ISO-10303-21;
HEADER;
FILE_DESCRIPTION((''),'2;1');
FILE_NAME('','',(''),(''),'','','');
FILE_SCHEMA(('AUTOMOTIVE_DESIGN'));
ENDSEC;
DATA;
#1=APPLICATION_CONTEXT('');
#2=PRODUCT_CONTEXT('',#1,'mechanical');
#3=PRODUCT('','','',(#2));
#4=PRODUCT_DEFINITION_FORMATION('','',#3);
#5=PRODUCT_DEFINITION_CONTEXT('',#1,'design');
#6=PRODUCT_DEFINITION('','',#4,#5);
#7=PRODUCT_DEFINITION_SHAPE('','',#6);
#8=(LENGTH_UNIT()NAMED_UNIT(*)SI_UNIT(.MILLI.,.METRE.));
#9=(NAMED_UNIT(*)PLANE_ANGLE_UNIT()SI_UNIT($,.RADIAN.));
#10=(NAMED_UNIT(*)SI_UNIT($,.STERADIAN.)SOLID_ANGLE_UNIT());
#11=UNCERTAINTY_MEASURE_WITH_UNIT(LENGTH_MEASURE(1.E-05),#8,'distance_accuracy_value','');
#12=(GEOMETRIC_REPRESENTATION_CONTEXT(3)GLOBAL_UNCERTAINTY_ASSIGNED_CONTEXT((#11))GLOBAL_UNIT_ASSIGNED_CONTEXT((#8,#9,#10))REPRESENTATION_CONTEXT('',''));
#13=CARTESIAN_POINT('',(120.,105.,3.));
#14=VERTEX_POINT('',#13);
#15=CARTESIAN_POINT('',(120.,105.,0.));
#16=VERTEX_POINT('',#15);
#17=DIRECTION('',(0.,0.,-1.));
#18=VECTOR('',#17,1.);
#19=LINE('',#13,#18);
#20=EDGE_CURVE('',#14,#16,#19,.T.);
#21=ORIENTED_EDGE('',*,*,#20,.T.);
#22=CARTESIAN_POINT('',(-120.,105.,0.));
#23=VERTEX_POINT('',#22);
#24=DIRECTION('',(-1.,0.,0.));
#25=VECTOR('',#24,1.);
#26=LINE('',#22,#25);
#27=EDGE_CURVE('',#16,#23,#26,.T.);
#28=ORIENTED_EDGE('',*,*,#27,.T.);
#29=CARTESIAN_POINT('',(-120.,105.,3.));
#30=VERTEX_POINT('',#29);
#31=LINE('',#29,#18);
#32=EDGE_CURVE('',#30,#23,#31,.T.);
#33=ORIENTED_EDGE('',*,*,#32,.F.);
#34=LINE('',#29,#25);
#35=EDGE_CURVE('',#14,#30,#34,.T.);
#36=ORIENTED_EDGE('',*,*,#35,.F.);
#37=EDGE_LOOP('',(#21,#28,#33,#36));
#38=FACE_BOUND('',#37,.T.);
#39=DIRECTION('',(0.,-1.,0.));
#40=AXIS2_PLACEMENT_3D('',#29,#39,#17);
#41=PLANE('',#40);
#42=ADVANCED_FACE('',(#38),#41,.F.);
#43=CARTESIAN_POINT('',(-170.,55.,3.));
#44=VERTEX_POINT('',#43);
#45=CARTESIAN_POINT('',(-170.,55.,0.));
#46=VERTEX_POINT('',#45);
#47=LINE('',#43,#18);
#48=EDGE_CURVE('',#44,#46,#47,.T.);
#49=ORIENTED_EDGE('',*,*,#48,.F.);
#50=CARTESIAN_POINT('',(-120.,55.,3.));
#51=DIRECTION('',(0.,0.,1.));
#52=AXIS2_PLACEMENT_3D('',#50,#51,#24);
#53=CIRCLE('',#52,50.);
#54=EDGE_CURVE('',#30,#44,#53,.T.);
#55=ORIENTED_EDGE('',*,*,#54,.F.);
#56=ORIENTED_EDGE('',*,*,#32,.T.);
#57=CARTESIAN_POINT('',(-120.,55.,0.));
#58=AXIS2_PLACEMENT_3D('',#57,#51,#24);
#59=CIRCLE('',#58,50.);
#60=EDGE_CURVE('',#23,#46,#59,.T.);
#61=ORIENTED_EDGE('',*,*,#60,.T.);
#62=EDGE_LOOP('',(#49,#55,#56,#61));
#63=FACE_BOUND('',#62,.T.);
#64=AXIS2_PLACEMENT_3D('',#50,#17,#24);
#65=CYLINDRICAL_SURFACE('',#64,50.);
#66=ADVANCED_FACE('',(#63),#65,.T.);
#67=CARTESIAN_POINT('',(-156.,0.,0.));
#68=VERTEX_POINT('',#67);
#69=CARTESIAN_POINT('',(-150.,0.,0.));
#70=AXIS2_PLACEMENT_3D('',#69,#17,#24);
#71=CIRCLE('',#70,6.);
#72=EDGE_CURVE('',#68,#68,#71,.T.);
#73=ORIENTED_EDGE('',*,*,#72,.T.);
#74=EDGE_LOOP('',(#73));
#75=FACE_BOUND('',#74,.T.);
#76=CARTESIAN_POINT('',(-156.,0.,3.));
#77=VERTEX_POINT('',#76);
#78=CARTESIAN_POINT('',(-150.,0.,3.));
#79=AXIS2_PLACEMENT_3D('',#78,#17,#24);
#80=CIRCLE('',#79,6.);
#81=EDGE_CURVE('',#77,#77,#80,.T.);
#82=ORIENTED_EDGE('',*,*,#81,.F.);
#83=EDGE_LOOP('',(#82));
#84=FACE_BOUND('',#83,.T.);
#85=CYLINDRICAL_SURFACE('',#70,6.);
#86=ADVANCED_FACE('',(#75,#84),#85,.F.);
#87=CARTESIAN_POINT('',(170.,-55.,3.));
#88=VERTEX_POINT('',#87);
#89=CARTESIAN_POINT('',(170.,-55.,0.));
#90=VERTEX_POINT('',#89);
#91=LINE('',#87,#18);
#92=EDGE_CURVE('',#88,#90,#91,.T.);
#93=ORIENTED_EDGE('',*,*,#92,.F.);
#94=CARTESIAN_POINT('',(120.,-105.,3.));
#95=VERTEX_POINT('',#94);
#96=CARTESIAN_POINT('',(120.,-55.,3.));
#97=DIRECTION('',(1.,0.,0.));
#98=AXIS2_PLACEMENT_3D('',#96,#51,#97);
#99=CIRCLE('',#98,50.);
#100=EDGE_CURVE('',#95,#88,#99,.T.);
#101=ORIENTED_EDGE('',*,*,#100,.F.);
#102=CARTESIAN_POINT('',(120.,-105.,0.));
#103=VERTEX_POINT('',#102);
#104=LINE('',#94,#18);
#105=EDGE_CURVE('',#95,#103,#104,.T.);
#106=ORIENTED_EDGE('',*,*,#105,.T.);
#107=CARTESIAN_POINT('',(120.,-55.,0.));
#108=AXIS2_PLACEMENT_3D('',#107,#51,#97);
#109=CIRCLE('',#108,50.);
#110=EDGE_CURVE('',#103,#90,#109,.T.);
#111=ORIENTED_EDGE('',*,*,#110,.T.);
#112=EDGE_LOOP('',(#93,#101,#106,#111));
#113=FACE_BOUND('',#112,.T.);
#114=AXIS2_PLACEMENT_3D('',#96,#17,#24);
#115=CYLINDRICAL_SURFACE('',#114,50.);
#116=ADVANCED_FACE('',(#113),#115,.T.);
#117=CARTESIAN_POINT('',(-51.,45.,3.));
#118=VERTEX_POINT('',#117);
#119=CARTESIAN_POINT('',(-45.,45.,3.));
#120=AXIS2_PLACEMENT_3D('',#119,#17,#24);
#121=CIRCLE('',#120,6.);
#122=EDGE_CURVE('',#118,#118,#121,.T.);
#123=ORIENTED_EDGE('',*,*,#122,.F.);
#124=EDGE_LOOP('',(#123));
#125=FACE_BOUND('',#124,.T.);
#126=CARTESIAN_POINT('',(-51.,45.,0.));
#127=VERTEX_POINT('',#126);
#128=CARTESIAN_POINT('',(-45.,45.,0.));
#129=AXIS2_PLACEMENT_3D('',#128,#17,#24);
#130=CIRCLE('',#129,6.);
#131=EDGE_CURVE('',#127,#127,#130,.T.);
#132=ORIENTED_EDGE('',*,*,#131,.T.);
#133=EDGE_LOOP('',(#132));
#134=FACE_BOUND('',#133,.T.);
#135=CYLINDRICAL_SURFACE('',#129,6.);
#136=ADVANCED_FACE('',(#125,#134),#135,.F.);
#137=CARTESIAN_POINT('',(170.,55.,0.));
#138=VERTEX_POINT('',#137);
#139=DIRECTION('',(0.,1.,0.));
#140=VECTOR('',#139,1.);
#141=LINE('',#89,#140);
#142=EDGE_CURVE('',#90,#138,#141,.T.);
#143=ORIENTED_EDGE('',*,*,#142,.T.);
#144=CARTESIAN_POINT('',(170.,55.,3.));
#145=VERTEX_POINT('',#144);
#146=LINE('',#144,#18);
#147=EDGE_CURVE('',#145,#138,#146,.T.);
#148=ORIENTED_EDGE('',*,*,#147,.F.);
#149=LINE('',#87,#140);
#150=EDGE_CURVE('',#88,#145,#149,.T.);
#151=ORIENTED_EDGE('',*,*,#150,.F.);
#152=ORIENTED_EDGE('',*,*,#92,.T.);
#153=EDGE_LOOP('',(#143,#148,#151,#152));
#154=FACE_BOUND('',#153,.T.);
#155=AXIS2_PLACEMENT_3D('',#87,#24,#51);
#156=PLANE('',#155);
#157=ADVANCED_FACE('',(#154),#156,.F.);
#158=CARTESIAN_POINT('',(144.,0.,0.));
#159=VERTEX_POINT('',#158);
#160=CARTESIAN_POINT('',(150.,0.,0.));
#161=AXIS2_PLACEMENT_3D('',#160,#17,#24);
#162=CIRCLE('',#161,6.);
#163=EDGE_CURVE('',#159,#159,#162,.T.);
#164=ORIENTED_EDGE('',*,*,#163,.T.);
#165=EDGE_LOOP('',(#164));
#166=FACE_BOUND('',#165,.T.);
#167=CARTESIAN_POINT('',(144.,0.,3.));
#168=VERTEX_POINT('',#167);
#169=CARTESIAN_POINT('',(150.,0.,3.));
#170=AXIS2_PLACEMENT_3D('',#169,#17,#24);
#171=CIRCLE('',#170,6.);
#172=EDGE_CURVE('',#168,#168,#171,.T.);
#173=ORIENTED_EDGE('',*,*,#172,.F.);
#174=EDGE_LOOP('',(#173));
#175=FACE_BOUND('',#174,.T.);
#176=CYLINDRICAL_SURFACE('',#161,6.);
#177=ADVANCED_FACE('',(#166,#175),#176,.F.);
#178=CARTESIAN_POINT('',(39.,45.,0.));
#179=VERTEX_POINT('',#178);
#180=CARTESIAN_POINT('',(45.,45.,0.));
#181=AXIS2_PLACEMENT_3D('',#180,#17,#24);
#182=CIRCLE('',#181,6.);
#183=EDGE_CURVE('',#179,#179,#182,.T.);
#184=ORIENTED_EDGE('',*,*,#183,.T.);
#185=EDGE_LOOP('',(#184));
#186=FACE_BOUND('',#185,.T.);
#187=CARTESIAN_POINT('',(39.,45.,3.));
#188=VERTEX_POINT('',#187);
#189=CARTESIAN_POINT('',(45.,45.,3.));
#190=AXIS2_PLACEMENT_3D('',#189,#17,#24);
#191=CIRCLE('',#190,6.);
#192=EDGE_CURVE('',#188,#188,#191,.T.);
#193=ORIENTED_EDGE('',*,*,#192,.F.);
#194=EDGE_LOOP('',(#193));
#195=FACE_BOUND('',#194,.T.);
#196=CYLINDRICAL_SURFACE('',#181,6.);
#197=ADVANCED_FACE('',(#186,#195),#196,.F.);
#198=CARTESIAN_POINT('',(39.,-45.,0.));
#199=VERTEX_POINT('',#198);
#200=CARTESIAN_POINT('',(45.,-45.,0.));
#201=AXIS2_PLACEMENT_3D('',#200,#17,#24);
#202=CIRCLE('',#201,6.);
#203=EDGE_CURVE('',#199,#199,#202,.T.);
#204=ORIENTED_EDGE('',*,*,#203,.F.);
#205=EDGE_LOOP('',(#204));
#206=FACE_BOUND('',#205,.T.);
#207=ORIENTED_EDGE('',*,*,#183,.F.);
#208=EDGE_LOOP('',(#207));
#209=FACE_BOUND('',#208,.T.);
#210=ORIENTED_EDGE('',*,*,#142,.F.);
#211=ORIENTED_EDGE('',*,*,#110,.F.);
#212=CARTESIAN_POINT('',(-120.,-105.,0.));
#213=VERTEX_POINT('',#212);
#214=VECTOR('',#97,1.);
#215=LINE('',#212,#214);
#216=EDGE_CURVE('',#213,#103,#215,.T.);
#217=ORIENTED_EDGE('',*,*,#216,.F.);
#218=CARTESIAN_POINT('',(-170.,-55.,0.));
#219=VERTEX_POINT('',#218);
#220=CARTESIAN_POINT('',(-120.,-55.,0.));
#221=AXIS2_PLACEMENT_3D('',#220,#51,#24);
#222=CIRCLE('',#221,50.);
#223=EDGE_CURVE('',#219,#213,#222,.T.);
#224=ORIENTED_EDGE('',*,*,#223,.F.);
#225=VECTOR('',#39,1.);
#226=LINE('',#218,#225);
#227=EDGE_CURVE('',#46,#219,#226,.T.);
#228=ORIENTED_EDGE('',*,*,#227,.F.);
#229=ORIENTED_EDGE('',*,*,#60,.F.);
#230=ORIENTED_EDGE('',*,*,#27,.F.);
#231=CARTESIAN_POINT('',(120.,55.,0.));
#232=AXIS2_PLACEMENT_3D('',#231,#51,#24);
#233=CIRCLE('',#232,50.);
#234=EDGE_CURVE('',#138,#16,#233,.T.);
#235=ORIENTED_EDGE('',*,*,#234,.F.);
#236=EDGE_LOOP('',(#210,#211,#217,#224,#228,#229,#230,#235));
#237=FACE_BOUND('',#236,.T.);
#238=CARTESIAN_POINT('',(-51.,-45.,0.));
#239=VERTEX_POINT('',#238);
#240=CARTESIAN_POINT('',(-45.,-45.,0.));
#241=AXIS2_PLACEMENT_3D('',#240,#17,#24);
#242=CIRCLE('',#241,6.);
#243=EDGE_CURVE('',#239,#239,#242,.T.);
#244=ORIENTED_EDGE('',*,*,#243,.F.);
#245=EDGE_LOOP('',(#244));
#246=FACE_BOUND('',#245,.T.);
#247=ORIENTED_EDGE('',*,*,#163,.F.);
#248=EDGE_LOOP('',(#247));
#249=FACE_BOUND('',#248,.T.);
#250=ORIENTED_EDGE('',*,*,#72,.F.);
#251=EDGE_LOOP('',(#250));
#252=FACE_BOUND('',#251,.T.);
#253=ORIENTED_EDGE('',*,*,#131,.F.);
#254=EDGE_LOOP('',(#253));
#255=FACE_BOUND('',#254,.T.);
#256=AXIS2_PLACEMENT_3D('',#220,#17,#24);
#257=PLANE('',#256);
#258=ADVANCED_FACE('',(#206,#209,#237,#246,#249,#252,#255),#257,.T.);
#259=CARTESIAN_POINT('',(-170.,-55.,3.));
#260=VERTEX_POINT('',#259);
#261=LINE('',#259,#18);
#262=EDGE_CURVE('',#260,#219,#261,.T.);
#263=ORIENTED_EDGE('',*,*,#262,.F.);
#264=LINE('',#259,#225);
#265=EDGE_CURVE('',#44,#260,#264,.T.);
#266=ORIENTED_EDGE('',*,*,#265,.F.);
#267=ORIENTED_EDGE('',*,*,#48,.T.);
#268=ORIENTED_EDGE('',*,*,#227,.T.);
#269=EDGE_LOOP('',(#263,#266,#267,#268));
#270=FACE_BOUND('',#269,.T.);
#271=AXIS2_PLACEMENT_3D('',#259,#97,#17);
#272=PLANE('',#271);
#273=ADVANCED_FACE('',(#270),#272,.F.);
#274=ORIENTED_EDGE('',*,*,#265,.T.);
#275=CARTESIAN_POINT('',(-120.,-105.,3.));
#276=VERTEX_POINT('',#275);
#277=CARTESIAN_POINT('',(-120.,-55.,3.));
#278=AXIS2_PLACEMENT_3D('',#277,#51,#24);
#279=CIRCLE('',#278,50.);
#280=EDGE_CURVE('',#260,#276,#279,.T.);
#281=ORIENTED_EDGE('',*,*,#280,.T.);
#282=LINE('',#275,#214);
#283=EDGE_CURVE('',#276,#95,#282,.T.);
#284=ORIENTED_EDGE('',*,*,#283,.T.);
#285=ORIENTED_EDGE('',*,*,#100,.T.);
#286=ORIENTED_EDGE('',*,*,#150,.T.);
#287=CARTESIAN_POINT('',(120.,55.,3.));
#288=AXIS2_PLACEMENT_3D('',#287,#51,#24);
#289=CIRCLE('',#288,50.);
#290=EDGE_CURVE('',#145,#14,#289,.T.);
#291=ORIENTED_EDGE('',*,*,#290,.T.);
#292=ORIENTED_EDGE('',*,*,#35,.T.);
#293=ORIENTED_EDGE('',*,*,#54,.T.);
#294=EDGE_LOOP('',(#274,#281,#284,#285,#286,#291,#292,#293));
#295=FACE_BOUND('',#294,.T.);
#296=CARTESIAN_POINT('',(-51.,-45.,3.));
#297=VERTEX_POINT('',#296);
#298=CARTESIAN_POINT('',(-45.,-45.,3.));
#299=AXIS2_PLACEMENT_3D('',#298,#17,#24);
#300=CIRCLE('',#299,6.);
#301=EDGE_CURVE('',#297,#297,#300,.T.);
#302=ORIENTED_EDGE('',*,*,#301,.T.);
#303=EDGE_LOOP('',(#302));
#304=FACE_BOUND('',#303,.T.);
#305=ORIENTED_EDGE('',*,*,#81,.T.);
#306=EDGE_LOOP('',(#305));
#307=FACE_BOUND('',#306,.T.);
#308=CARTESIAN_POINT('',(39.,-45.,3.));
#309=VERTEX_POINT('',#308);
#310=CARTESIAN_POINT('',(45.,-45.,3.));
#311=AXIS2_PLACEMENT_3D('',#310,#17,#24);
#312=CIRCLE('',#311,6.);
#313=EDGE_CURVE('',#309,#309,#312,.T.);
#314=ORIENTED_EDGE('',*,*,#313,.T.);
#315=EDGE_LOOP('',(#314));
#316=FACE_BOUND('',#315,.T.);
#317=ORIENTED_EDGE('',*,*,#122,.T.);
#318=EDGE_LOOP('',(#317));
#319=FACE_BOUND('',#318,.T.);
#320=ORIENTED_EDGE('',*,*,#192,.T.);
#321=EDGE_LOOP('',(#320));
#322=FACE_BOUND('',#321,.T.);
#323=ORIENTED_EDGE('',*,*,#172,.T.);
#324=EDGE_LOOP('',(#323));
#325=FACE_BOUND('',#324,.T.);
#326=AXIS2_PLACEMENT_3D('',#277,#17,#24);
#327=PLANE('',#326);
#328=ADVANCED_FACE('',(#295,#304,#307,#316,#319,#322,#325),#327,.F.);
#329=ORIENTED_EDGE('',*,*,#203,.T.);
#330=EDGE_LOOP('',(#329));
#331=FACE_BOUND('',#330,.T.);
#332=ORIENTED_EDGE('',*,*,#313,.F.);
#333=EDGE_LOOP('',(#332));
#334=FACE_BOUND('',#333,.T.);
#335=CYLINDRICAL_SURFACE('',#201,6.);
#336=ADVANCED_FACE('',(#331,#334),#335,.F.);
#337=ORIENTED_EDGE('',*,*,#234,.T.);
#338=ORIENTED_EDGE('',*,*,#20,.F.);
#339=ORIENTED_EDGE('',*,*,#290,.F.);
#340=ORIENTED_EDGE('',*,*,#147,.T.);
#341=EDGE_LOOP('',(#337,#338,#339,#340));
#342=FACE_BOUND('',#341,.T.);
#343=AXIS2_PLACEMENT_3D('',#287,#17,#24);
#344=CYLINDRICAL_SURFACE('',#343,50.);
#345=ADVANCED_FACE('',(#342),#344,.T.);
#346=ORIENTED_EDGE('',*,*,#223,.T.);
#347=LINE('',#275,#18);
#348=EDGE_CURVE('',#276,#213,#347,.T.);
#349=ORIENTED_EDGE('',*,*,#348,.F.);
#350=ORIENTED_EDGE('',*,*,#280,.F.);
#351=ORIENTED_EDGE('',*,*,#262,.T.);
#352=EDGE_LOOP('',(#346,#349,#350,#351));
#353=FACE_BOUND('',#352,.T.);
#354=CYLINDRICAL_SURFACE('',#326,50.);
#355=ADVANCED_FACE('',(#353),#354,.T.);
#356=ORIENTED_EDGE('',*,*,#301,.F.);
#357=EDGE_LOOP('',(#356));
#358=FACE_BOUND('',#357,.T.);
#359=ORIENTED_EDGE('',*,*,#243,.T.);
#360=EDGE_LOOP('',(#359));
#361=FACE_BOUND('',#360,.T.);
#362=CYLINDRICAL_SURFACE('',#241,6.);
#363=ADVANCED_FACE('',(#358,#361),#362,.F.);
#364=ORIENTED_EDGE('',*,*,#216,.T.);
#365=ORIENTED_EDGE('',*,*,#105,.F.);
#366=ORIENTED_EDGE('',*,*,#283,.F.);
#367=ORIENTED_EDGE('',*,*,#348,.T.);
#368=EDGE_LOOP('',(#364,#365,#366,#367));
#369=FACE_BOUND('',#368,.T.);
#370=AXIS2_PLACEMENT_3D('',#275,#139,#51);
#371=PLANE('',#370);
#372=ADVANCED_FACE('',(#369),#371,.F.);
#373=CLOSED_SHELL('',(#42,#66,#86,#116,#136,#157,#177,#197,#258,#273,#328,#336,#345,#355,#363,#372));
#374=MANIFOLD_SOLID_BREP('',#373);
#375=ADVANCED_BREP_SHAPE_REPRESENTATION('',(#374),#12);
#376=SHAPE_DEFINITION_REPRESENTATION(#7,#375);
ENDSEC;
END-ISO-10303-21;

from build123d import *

# Parameters (mm, degrees)
DODANIE_WYCI_GNI_CIE1_DEPTH = 3
OTWORY_USTALAJ_CE_12_0MM1_D = 12


with BuildPart() as part:
    # Szkic1 → Dodanie-wyciągnięcie1 (new body)
    with BuildSketch(Plane.XY):
        with BuildLine():
            Line((-120, -105), (120, -105))
            ThreePointArc((120, -105), (155.355339059, -90.355339059), (170, -55))
            Line((170, -55), (170, 55))
            ThreePointArc((170, 55), (155.355339059, 90.355339059), (120, 105))
            Line((120, 105), (-120, 105))
            ThreePointArc((-120, 105), (-155.355339059, 90.355339059), (-170, 55))
            Line((-170, 55), (-170, -55))
            ThreePointArc((-170, -55), (-155.355339059, -90.355339059), (-120, -105))
        make_face()
    extrude(amount=DODANIE_WYCI_GNI_CIE1_DEPTH)

    # Otwory ustalające Ø12.0mm1 (through all)
    with Locations(Plane(origin=(0, 0, 0), x_dir=(-1, 0, 0), z_dir=(0, 0, -1))):
        with Locations((45, 45), (-45, 45), (45, -45), (-45, -45), (-150, 0), (150, 0)):
            Hole(OTWORY_USTALAJ_CE_12_0MM1_D / 2)


solid = part.part
